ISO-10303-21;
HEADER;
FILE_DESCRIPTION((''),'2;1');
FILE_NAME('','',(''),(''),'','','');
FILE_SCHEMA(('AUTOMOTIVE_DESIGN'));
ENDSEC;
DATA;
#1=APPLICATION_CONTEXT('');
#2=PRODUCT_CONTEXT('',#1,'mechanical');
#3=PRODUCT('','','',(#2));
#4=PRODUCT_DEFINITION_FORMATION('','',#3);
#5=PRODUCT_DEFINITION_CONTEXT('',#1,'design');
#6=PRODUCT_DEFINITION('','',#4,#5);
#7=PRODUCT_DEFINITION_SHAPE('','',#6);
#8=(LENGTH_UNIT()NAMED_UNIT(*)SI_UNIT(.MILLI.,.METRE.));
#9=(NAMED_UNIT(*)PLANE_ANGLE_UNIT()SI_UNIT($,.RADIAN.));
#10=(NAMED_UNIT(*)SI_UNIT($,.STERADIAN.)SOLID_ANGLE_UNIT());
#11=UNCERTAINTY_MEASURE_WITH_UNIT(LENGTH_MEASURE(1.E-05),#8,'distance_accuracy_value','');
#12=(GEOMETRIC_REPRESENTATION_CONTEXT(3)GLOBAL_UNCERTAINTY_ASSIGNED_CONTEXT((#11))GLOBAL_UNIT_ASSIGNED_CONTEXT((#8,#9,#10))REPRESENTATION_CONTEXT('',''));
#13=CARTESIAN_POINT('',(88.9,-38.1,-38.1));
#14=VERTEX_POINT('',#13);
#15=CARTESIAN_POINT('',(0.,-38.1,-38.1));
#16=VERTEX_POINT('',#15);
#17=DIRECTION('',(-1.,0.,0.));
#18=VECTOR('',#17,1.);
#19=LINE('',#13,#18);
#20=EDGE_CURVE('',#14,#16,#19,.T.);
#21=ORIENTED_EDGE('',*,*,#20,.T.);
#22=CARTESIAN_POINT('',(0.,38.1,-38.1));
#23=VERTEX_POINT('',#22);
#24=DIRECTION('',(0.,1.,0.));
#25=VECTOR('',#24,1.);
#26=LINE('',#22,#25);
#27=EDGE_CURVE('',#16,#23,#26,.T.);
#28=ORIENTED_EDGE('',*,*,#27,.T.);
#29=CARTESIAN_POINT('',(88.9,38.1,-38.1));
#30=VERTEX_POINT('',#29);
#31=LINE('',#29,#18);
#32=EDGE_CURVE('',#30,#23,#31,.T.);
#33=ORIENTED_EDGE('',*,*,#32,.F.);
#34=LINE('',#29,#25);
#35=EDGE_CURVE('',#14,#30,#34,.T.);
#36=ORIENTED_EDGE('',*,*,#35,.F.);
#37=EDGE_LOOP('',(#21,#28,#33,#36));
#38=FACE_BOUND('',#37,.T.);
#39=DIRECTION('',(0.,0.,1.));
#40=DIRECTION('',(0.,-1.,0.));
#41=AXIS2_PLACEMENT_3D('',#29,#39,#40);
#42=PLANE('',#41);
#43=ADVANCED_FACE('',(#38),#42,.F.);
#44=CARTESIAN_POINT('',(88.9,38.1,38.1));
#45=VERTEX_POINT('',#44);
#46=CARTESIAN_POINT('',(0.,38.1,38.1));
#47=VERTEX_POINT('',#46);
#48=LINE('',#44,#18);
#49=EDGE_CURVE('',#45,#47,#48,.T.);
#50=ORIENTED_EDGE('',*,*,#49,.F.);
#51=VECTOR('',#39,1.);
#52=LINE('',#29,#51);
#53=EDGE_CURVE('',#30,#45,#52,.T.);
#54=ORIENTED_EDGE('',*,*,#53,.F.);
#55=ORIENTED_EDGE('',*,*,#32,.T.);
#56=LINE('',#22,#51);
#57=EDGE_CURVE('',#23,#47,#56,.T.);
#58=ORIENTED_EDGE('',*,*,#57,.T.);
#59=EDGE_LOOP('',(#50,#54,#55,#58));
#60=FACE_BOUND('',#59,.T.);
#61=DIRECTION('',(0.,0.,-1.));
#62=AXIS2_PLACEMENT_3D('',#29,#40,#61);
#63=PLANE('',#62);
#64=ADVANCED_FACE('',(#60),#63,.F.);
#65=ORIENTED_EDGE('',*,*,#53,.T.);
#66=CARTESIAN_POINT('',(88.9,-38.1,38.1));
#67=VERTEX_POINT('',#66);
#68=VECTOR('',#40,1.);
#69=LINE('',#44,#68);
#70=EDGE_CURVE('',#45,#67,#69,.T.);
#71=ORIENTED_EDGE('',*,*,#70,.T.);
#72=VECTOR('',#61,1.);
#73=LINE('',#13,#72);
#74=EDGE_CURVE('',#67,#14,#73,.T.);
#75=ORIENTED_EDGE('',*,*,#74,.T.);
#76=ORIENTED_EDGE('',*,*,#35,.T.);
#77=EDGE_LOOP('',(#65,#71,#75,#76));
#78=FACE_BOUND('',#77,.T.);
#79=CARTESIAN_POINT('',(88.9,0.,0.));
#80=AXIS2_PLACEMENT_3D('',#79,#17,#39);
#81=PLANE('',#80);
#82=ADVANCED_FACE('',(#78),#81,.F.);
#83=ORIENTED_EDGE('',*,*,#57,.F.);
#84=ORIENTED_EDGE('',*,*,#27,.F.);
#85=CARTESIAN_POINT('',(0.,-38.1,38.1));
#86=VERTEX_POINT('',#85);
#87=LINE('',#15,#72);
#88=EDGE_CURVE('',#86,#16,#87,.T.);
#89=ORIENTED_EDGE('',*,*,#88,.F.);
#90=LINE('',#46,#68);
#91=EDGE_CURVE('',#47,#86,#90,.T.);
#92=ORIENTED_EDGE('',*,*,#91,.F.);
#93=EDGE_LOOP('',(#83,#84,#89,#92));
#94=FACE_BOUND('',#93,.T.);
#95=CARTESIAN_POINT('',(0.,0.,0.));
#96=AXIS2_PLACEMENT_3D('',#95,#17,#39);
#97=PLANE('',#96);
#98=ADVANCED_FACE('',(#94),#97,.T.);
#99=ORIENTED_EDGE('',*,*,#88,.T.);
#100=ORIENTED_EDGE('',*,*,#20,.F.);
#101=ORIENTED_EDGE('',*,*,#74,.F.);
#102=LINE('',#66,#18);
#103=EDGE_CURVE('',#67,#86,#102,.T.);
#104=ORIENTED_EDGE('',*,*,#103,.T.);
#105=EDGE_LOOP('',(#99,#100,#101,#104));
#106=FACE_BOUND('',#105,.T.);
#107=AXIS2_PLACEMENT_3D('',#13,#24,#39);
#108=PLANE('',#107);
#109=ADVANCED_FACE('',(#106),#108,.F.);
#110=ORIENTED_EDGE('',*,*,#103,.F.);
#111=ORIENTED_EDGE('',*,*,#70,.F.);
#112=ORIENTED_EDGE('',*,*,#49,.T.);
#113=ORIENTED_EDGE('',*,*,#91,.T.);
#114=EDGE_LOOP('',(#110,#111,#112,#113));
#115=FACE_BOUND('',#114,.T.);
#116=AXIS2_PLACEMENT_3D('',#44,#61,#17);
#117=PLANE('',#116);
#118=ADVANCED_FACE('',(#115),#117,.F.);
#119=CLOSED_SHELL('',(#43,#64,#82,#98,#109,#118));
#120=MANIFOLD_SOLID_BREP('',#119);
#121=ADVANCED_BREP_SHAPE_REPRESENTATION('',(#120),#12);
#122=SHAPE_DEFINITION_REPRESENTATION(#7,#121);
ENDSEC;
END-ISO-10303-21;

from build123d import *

# Parameters (mm, degrees)
SKETCH1_W           = 76.2
SKETCH1_H           = 76.2
BOSS_EXTRUDE1_DEPTH = 88.9


with BuildPart() as part:
    # Sketch1 → Boss-Extrude1 (new body)
    with BuildSketch(Plane(origin=(0, 0, 0), x_dir=(0, 0, -1), z_dir=(1, 0, 0))):
        Rectangle(SKETCH1_W, SKETCH1_H)
    extrude(amount=BOSS_EXTRUDE1_DEPTH)


solid = part.part
